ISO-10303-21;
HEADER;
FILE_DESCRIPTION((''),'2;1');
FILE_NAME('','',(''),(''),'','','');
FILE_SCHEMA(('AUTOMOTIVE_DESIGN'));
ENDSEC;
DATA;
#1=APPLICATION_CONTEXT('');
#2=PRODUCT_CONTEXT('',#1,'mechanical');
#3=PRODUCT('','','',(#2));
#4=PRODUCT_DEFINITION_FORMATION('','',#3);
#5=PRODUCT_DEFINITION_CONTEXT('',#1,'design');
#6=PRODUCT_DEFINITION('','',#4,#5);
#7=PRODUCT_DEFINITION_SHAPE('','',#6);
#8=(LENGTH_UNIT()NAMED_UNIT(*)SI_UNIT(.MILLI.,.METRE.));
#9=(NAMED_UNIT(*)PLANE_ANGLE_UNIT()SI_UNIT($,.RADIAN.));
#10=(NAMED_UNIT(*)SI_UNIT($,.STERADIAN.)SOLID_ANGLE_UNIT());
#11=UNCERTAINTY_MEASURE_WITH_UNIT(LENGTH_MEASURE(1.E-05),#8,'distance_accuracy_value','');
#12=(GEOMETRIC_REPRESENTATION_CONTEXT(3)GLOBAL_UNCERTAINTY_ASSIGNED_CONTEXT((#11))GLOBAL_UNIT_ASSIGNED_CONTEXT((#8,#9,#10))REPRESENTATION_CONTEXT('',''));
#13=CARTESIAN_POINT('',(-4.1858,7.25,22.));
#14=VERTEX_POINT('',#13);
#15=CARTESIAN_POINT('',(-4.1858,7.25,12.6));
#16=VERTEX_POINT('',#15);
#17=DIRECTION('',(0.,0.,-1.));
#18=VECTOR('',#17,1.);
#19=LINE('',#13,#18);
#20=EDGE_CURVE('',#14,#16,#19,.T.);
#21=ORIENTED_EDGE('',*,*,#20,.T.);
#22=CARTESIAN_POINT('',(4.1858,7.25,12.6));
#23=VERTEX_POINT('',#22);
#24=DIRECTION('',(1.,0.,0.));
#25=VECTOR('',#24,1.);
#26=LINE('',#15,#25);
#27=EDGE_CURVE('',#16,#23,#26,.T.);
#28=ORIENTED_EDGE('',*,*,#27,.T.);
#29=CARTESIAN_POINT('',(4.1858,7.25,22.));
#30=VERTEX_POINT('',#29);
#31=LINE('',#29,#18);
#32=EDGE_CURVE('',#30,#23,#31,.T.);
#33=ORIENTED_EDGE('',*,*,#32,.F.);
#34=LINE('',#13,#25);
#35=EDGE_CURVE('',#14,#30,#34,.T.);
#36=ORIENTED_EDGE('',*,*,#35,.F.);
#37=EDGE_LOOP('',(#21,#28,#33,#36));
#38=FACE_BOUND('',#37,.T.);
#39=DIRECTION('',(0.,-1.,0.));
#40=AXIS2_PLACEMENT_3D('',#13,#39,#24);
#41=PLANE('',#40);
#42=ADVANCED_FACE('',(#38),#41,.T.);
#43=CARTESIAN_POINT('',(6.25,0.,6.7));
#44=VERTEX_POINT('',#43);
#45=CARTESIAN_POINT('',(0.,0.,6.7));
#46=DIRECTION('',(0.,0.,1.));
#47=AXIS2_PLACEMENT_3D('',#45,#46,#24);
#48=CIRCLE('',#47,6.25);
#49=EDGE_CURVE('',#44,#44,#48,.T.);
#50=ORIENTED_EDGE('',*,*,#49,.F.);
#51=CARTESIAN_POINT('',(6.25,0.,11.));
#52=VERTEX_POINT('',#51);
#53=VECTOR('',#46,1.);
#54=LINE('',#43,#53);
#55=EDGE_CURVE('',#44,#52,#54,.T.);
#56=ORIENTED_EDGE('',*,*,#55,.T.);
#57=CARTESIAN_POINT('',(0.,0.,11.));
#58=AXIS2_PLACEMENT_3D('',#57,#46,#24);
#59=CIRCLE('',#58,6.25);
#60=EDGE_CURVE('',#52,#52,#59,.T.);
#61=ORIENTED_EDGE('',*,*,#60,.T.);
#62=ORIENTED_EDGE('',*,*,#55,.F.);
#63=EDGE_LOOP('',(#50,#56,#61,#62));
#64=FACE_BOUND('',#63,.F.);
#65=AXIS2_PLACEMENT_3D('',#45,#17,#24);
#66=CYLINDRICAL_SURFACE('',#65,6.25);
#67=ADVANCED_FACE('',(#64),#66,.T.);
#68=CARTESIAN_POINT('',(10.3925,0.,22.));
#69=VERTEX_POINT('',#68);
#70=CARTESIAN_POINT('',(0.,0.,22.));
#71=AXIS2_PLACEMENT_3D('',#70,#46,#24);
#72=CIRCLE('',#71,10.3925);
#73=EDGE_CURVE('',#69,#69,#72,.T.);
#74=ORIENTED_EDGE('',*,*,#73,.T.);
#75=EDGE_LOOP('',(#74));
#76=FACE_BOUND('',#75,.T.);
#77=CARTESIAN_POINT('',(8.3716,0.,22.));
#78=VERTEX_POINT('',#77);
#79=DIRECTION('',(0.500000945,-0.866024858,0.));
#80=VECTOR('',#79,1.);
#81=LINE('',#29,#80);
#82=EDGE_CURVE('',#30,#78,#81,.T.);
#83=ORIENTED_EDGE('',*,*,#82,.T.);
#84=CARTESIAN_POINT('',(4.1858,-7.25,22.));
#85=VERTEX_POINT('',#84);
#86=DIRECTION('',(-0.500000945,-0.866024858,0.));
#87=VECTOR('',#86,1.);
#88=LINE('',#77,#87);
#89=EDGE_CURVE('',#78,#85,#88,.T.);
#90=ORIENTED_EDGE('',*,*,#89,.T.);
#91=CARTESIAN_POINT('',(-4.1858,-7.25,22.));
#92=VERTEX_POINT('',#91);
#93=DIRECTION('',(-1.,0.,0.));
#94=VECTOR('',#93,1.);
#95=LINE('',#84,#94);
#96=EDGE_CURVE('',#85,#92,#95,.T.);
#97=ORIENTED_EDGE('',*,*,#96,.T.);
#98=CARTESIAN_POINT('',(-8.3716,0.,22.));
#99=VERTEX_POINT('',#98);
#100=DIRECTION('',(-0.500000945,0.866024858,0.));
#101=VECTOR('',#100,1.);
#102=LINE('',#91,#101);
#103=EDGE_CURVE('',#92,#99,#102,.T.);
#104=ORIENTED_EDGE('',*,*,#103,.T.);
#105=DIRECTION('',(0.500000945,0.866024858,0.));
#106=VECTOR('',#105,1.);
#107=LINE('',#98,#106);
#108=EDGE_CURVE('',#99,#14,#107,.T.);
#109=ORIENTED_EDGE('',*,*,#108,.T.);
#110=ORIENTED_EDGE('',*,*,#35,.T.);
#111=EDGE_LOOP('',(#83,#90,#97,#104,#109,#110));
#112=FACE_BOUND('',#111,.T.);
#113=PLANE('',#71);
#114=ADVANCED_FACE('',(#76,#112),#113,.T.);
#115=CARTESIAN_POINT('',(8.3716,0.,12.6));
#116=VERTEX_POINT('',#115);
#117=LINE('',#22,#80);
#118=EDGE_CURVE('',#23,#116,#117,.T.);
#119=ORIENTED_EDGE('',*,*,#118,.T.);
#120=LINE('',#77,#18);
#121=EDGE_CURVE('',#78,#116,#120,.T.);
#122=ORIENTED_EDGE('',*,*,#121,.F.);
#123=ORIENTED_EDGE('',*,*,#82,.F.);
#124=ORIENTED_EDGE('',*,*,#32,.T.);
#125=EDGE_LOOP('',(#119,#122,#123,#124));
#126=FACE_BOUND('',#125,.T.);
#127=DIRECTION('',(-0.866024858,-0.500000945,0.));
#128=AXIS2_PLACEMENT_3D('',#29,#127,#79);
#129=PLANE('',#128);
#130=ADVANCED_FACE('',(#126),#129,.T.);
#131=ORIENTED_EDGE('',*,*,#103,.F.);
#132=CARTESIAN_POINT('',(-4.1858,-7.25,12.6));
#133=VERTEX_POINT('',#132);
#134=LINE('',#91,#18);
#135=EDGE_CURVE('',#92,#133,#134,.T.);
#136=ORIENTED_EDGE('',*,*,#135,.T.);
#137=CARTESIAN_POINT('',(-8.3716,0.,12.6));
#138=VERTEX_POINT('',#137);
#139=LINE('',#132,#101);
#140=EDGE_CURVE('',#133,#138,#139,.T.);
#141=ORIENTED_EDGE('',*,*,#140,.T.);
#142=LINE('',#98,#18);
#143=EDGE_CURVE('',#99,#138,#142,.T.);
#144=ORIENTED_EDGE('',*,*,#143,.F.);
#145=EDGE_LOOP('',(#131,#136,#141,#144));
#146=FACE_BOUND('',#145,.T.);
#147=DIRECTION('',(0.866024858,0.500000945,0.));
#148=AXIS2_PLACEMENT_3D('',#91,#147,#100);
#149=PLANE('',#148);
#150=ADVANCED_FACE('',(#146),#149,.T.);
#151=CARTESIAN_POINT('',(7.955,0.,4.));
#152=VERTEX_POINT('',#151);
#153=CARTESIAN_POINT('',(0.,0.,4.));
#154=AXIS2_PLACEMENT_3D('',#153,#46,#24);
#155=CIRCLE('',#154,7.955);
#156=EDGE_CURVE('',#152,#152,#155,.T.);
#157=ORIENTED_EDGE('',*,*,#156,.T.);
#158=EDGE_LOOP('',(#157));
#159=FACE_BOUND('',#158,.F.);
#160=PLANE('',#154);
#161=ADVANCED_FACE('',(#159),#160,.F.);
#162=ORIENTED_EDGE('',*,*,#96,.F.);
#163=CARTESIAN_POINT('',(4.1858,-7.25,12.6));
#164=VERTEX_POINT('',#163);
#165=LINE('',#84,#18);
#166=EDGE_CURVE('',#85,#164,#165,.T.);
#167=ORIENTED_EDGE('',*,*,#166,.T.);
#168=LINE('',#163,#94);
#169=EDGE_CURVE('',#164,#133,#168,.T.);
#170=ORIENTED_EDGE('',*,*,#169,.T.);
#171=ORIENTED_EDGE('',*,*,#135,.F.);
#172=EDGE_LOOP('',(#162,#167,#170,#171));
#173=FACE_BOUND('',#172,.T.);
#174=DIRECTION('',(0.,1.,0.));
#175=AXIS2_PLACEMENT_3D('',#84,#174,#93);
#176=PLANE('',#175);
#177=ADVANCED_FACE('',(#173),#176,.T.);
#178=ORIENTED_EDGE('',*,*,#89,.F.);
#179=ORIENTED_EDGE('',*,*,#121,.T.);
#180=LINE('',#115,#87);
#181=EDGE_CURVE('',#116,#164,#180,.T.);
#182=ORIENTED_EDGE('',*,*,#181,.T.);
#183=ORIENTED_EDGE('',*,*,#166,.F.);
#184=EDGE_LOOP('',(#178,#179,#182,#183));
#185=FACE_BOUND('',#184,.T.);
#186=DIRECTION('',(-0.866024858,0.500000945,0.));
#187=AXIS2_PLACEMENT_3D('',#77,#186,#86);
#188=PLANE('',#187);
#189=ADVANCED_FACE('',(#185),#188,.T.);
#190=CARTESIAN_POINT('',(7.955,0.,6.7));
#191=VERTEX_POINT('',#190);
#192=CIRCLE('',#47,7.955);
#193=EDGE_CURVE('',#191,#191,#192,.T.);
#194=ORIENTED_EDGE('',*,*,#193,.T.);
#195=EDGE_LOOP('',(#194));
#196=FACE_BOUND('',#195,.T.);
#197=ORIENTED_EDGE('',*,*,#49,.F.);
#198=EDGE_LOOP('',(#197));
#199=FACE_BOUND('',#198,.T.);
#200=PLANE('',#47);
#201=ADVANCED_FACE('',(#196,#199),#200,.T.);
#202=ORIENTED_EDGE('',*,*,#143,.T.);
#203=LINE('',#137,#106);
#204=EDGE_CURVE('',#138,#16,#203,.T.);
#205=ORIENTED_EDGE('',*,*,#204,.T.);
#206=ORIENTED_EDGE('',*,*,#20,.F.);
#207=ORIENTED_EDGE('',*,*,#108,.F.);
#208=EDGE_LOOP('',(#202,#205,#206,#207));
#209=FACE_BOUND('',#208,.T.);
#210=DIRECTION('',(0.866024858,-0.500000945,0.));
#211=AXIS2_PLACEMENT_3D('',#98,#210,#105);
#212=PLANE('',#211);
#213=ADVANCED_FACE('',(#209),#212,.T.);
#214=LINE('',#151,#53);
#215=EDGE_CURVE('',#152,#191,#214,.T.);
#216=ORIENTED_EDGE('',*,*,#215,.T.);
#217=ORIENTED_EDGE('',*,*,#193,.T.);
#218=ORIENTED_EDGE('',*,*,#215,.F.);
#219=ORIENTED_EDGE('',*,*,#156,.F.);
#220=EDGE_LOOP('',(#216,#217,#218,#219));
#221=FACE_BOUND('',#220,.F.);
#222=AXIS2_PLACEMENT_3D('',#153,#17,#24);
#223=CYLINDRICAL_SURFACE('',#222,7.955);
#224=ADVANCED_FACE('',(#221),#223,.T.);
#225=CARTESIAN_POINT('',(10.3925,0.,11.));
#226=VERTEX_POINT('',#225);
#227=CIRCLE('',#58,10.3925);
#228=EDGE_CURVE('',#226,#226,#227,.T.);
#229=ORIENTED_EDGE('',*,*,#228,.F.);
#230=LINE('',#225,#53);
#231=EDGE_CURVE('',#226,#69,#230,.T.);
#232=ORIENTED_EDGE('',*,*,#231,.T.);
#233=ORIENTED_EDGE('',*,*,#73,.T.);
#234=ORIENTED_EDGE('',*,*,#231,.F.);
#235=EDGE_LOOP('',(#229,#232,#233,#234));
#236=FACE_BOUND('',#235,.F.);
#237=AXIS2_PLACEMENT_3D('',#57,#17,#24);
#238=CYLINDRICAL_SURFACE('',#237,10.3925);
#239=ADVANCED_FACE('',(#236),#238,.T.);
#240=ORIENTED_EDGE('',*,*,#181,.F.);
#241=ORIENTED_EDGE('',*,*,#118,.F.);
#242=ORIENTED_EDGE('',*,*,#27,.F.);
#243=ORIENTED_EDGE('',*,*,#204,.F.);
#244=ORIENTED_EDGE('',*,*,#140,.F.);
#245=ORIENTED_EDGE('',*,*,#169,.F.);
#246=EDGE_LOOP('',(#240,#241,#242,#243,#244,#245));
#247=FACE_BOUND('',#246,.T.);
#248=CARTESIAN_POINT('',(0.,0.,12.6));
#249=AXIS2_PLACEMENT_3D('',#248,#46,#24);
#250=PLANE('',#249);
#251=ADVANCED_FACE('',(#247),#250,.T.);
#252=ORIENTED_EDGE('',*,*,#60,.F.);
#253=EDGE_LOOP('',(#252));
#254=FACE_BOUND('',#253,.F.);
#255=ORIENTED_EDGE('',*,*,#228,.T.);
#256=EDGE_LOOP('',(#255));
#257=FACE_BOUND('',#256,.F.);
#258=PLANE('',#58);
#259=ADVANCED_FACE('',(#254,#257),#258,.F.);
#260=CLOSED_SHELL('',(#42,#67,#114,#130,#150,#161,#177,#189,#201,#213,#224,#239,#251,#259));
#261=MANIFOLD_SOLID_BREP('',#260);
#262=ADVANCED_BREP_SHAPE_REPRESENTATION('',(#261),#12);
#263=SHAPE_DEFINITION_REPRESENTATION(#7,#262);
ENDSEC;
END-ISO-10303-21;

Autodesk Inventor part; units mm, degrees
ref_plane "YZ Plane" through (0, 0, 0) normal (1, 0, 0) x (0, 1, 0)
ref_plane "XZ Plane" through (0, 0, 0) normal (0, 1, 0) x (-1, 0, 0)
ref_plane "XY Plane" through (0, 0, 0) normal (0, 0, 1) x (1, 0, 0)
ref_plane "Work Plane3" through (0, 0, 4) normal (0, 0, 1) x (1, 0, 0)
ref_plane "Work Plane4" through (0, 0, 11) normal (0, 0, -1) x (-1, 0, 0)
sketch "Sketch7" plane through (0, 0, 4) normal (0, 0, 1) x (1, 0, 0)
  circle A0 centre (0, 0) radius 3.5
  circle A1 centre (0, 0) radius 7.955
  dimension "d17" = 7
  dimension "d18" = 15.91
extrude "Extrusion5" add sketch "Sketch7" along normal blind 2.7 contours A0 | A1
sketch "Sketch8" plane through (0, 0, 6.7) normal (0, 0, 1) x (1, 0, 0)
  circle A0 centre (0, 0) radius 6.25
  dimension "d21" = 12.5
extrude "Extrusion6" add sketch "Sketch8" along normal up to surface (4.3 mm away)
sketch "Sketch9" plane through (0, 0, 11) normal (0, 0, 1) x (1, 0, 0)
  circle A0 centre (0, 0) radius 10.3925
  dimension "d24" = 20.785
extrude "Extrusion7" add sketch "Sketch9" along normal blind 11
sketch "Sketch10" plane through (0, 0, 22) normal (0, 0, 1) x (1, 0, 0)
  circle A0 centre (0, 0) radius 10.3925 projected
  line L0 (-4.1858, 7.25) -> (4.1858, 7.25)
  line L1 (4.1858, 7.25) -> (8.3716, 0)
  line L2 (8.3716, 0) -> (4.1858, -7.25)
  line L3 (4.1858, -7.25) -> (-4.1858, -7.25)
  line L4 (-4.1858, -7.25) -> (-8.3716, 0)
  line L5 (-8.3716, 0) -> (-4.1858, 7.25)
  line L6 (0, 0) -> (4.1858, 7.25) construction
  line L7 (0, 0) -> (8.3716, 0) construction
  line L8 (0, 0) -> (-4.1858, -7.25) construction
  line L9 (-14.5495, 0) -> (14.5495, 0) projected
  dimension "d27" = 14.5
extrude "Extrusion8" cut sketch "Sketch10" against normal blind 9.4 contours L9 L5 L0 L1 | L2 L3 L4 L9
properties part number "BlankSmallGearOutput"
